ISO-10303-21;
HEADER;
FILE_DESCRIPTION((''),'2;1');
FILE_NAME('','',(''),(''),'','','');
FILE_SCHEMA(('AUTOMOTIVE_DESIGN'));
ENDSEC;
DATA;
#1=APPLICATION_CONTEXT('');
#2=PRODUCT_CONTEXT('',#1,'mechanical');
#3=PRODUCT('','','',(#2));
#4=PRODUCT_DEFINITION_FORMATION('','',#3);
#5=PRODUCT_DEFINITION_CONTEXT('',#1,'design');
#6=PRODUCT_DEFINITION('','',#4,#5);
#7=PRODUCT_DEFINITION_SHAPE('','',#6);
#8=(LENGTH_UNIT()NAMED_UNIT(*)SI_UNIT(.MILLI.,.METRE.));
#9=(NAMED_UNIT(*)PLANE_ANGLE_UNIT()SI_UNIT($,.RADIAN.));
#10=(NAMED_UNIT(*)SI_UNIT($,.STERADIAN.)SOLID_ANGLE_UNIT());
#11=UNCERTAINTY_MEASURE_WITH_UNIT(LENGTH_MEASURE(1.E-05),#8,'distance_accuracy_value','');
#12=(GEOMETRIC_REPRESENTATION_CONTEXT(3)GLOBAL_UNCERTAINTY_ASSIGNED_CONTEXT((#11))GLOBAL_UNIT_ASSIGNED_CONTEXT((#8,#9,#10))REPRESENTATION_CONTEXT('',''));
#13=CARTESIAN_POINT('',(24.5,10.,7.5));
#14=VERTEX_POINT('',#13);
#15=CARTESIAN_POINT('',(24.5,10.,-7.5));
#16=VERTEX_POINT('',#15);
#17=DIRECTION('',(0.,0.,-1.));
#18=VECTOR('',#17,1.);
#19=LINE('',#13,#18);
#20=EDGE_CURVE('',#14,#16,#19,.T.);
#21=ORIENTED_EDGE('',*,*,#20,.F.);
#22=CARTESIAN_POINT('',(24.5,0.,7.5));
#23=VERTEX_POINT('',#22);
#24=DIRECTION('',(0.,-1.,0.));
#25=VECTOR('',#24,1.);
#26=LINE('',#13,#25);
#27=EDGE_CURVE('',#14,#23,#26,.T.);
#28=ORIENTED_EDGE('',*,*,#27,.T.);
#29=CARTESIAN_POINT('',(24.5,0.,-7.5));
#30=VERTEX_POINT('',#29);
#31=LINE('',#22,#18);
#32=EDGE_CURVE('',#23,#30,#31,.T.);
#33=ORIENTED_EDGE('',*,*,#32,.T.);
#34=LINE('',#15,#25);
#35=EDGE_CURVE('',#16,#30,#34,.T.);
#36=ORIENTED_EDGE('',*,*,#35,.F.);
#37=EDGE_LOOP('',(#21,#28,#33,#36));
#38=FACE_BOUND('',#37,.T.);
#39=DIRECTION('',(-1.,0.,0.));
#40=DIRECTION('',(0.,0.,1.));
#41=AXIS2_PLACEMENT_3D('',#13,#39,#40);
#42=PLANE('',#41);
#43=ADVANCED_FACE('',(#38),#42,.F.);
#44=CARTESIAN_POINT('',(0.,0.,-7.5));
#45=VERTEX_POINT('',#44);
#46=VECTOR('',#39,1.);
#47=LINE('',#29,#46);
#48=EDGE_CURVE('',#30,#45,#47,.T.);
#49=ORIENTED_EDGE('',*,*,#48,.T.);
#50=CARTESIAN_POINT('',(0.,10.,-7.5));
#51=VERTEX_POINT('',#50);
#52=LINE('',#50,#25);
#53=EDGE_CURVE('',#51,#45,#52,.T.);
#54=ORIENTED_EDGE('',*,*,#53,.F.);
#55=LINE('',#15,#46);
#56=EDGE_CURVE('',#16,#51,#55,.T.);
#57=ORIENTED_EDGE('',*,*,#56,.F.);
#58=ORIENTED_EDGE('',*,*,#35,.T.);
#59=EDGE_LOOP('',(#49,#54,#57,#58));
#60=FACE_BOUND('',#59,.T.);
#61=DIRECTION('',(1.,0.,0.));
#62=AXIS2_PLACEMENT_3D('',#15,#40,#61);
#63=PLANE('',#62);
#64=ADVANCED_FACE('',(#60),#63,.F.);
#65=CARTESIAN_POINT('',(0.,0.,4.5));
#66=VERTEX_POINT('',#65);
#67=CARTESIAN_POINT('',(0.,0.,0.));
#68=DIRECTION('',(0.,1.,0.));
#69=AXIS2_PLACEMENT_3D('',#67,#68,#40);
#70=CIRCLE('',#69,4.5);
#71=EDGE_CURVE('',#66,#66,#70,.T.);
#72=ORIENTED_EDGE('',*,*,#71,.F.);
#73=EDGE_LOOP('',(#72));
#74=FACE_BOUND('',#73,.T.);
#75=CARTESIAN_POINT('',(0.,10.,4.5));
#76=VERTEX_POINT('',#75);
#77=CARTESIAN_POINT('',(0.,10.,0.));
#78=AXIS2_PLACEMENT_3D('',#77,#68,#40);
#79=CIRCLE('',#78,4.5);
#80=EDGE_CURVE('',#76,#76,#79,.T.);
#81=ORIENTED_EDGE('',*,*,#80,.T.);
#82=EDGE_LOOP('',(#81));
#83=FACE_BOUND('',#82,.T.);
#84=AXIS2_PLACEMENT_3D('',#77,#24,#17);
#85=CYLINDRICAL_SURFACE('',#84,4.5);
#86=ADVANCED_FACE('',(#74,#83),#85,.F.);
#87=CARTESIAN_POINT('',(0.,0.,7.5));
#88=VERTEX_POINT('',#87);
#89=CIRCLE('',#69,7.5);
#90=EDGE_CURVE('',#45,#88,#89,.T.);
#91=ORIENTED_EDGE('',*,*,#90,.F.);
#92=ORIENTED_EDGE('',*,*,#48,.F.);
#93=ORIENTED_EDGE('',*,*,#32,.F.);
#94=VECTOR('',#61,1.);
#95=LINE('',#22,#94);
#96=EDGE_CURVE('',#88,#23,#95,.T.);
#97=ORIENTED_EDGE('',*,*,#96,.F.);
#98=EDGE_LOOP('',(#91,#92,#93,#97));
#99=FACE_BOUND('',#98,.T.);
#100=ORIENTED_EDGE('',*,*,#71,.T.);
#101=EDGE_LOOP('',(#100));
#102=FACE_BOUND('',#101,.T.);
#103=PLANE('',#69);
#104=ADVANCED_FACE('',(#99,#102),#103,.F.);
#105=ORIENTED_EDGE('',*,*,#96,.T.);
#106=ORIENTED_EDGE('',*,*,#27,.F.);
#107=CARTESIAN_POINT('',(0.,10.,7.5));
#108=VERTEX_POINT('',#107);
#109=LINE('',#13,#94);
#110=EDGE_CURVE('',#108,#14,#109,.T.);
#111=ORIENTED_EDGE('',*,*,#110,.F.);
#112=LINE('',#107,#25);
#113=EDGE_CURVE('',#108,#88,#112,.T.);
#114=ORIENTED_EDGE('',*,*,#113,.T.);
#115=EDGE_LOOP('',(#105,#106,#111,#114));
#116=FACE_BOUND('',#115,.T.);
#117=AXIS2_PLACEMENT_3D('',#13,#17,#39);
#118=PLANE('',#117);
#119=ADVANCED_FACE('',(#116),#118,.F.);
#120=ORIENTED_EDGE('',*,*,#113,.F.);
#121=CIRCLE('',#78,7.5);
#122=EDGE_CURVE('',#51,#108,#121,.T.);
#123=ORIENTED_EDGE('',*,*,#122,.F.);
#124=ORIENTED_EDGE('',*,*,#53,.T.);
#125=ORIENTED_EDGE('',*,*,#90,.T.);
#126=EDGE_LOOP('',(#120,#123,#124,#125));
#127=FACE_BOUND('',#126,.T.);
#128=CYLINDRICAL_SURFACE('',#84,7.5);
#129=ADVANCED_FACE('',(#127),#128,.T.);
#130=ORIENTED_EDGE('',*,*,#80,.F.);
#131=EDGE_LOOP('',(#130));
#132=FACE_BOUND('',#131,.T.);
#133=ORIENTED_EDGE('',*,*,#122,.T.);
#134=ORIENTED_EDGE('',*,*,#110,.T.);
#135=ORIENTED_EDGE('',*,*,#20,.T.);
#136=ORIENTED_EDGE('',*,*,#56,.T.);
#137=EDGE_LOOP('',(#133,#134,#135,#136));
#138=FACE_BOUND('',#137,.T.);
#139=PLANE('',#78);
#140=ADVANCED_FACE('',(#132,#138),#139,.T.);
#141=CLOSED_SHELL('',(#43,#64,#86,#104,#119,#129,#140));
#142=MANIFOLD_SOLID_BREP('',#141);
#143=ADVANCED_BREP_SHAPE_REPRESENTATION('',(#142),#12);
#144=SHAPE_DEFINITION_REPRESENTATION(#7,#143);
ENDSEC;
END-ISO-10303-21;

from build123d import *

# Parameters (mm, degrees)
SKETCH_1_R      = 4.5
EXTRUDE_1_DEPTH = 10


with BuildPart() as part:
    # Эскиз1 → Бобышка-Вытянуть1 (new body)
    with BuildSketch(Plane(origin=(0, 0, 0), x_dir=(1, 0, 0), z_dir=(0, 1, 0))):
        with BuildLine():
            Line((24.5, -7.5), (0, -7.5))
            ThreePointArc((0, -7.5), (-7.5, 0), (0, 7.5))
            Line((0, 7.5), (24.5, 7.5))
            Line((24.5, 7.5), (24.5, -7.5))
        make_face()
        with Locations(Location((0, 0, 0), (0, 0, 270))):
            Circle(SKETCH_1_R, mode=Mode.SUBTRACT)
    extrude(amount=EXTRUDE_1_DEPTH)


solid = part.part
